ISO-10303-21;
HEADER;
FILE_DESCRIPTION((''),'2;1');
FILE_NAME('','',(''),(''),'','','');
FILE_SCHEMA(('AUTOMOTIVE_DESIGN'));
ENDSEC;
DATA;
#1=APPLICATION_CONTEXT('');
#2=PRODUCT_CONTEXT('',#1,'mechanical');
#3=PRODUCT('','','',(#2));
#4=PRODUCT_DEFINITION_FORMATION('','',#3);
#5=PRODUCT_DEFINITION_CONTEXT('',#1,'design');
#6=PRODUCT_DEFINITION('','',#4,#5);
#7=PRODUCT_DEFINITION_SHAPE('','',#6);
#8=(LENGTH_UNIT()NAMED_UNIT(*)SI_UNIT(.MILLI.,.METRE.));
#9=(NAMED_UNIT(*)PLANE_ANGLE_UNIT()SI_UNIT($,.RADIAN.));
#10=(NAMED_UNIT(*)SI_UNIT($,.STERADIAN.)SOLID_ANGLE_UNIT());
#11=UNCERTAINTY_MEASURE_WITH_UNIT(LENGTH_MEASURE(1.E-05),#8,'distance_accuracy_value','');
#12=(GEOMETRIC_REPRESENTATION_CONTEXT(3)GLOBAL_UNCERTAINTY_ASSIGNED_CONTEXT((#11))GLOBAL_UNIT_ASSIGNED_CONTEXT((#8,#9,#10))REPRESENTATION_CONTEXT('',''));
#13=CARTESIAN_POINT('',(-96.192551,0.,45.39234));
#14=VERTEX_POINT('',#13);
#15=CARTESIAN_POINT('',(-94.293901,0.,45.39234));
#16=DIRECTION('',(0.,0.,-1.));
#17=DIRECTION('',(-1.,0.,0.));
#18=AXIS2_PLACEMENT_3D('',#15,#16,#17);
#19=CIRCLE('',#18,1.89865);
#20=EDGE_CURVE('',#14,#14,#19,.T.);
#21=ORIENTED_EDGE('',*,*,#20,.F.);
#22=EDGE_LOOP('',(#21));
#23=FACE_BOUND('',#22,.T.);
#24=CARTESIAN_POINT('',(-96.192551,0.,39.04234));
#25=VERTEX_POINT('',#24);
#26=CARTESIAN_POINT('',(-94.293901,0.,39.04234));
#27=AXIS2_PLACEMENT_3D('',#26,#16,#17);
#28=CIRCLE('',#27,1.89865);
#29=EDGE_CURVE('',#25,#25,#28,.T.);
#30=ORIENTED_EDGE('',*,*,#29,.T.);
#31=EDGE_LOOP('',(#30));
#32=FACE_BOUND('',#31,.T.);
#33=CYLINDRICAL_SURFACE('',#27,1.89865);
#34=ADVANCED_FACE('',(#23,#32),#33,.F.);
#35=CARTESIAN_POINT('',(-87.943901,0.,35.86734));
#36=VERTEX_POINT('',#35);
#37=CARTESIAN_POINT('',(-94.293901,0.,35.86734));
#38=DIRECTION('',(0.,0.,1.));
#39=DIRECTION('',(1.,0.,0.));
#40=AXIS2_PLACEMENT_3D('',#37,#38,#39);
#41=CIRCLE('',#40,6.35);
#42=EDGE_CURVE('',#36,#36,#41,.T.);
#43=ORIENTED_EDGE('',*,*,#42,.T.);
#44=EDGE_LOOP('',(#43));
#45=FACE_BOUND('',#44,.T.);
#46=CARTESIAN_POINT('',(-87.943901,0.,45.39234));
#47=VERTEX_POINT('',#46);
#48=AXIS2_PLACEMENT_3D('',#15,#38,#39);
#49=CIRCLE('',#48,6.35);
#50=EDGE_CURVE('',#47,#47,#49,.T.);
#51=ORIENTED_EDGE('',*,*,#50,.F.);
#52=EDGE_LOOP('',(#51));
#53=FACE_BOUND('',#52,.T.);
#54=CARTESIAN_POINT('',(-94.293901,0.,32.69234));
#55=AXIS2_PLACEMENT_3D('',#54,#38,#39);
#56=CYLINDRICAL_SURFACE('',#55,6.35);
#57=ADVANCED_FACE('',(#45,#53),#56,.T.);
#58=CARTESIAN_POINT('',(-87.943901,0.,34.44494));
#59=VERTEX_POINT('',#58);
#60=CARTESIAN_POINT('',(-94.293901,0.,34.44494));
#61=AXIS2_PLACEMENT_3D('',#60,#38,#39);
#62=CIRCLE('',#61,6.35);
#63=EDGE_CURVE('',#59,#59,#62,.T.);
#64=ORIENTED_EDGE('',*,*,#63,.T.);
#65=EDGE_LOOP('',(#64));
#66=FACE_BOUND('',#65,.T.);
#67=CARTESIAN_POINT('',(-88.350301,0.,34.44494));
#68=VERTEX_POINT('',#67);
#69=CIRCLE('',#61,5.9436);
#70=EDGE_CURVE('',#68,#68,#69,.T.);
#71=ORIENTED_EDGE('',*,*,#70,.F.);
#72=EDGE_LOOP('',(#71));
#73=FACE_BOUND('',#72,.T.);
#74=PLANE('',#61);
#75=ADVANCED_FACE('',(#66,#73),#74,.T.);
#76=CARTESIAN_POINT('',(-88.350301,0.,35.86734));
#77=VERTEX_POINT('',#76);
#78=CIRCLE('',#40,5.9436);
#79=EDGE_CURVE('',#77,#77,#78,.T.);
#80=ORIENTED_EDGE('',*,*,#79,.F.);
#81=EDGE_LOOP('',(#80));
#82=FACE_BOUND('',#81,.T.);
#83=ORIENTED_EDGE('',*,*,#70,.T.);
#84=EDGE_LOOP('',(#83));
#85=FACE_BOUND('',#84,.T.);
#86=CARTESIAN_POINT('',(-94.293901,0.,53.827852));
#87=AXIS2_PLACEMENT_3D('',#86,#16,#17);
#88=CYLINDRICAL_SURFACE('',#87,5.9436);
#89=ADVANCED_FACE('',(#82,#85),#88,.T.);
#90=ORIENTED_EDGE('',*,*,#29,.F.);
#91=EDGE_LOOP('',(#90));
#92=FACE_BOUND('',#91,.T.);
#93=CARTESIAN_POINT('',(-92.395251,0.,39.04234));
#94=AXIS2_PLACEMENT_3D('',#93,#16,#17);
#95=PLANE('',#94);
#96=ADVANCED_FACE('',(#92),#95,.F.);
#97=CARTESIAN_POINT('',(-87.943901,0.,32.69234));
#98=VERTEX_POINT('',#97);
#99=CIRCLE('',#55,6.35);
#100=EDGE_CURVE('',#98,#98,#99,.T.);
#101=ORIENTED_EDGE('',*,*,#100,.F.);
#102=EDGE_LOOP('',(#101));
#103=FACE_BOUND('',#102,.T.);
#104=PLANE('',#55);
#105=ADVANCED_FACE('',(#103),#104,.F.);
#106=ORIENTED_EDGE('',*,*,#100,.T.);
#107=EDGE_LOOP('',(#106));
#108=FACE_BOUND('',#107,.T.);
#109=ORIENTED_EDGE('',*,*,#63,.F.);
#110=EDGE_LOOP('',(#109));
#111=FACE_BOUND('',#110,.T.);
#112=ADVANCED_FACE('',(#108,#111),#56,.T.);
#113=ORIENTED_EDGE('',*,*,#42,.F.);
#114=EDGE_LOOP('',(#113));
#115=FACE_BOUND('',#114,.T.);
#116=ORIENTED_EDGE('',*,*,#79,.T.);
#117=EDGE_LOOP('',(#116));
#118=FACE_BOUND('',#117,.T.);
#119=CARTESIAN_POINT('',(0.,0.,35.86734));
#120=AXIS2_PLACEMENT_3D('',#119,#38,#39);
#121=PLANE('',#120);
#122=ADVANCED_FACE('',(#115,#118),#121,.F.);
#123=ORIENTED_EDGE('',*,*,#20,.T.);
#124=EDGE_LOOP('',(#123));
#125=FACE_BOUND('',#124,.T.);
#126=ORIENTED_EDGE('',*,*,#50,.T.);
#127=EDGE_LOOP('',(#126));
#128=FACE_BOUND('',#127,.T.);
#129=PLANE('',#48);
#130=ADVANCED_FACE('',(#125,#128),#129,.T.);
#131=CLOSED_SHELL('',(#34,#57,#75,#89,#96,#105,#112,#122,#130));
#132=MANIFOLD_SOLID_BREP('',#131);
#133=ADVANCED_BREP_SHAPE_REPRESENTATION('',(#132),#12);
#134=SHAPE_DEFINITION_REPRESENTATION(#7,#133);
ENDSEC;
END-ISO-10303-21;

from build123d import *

# Parameters (mm, degrees)
SKETCH4_R                = 6.35
BOSS_EXTRUDE1_DEPTH      = 6.35
BOSS_EXTRUDE1_DEPTH_BACK = 6.35
SKETCH5_R                = 6.35
SKETCH5_R_2              = 5.9436
CUT_EXTRUDE1_DEPTH       = 1.4224
SKETCH7_W                = 1.89865
SKETCH7_H                = 6.35


with BuildPart() as part:
    # Sketch4 → Boss-Extrude1 (new body, two sides)
    with BuildSketch(Plane.XY.offset(39.04234)) as boss_extrude1_sk:
        with Locations((-94.293901082, 0)):
            Circle(SKETCH4_R)
    extrude(amount=BOSS_EXTRUDE1_DEPTH)
    extrude(boss_extrude1_sk.sketch, amount=-BOSS_EXTRUDE1_DEPTH_BACK)

    # Sketch5 → Cut-Extrude1 (cut)
    with BuildSketch(Plane.XY.offset(34.44494)):
        with Locations((-94.293901082, 0)):
            Circle(SKETCH5_R)
        with Locations((-94.293901082, 0)):
            Circle(SKETCH5_R_2, mode=Mode.SUBTRACT)
    extrude(amount=CUT_EXTRUDE1_DEPTH, mode=Mode.SUBTRACT)

    # Sketch7 → Tap Drill for _10-24 Tap1 (revolve, cut)
    with BuildSketch(Plane(origin=(-94.293901082, 0, 39.04234), x_dir=(0, 1, 0), z_dir=(1, 0, 0))):
        with Locations((0.949325, 3.175)):
            Rectangle(SKETCH7_W, SKETCH7_H)
    revolve(axis=Axis((-94.293901082, 0, 32.69234), (0, 0, 1)), mode=Mode.SUBTRACT)


solid = part.part
